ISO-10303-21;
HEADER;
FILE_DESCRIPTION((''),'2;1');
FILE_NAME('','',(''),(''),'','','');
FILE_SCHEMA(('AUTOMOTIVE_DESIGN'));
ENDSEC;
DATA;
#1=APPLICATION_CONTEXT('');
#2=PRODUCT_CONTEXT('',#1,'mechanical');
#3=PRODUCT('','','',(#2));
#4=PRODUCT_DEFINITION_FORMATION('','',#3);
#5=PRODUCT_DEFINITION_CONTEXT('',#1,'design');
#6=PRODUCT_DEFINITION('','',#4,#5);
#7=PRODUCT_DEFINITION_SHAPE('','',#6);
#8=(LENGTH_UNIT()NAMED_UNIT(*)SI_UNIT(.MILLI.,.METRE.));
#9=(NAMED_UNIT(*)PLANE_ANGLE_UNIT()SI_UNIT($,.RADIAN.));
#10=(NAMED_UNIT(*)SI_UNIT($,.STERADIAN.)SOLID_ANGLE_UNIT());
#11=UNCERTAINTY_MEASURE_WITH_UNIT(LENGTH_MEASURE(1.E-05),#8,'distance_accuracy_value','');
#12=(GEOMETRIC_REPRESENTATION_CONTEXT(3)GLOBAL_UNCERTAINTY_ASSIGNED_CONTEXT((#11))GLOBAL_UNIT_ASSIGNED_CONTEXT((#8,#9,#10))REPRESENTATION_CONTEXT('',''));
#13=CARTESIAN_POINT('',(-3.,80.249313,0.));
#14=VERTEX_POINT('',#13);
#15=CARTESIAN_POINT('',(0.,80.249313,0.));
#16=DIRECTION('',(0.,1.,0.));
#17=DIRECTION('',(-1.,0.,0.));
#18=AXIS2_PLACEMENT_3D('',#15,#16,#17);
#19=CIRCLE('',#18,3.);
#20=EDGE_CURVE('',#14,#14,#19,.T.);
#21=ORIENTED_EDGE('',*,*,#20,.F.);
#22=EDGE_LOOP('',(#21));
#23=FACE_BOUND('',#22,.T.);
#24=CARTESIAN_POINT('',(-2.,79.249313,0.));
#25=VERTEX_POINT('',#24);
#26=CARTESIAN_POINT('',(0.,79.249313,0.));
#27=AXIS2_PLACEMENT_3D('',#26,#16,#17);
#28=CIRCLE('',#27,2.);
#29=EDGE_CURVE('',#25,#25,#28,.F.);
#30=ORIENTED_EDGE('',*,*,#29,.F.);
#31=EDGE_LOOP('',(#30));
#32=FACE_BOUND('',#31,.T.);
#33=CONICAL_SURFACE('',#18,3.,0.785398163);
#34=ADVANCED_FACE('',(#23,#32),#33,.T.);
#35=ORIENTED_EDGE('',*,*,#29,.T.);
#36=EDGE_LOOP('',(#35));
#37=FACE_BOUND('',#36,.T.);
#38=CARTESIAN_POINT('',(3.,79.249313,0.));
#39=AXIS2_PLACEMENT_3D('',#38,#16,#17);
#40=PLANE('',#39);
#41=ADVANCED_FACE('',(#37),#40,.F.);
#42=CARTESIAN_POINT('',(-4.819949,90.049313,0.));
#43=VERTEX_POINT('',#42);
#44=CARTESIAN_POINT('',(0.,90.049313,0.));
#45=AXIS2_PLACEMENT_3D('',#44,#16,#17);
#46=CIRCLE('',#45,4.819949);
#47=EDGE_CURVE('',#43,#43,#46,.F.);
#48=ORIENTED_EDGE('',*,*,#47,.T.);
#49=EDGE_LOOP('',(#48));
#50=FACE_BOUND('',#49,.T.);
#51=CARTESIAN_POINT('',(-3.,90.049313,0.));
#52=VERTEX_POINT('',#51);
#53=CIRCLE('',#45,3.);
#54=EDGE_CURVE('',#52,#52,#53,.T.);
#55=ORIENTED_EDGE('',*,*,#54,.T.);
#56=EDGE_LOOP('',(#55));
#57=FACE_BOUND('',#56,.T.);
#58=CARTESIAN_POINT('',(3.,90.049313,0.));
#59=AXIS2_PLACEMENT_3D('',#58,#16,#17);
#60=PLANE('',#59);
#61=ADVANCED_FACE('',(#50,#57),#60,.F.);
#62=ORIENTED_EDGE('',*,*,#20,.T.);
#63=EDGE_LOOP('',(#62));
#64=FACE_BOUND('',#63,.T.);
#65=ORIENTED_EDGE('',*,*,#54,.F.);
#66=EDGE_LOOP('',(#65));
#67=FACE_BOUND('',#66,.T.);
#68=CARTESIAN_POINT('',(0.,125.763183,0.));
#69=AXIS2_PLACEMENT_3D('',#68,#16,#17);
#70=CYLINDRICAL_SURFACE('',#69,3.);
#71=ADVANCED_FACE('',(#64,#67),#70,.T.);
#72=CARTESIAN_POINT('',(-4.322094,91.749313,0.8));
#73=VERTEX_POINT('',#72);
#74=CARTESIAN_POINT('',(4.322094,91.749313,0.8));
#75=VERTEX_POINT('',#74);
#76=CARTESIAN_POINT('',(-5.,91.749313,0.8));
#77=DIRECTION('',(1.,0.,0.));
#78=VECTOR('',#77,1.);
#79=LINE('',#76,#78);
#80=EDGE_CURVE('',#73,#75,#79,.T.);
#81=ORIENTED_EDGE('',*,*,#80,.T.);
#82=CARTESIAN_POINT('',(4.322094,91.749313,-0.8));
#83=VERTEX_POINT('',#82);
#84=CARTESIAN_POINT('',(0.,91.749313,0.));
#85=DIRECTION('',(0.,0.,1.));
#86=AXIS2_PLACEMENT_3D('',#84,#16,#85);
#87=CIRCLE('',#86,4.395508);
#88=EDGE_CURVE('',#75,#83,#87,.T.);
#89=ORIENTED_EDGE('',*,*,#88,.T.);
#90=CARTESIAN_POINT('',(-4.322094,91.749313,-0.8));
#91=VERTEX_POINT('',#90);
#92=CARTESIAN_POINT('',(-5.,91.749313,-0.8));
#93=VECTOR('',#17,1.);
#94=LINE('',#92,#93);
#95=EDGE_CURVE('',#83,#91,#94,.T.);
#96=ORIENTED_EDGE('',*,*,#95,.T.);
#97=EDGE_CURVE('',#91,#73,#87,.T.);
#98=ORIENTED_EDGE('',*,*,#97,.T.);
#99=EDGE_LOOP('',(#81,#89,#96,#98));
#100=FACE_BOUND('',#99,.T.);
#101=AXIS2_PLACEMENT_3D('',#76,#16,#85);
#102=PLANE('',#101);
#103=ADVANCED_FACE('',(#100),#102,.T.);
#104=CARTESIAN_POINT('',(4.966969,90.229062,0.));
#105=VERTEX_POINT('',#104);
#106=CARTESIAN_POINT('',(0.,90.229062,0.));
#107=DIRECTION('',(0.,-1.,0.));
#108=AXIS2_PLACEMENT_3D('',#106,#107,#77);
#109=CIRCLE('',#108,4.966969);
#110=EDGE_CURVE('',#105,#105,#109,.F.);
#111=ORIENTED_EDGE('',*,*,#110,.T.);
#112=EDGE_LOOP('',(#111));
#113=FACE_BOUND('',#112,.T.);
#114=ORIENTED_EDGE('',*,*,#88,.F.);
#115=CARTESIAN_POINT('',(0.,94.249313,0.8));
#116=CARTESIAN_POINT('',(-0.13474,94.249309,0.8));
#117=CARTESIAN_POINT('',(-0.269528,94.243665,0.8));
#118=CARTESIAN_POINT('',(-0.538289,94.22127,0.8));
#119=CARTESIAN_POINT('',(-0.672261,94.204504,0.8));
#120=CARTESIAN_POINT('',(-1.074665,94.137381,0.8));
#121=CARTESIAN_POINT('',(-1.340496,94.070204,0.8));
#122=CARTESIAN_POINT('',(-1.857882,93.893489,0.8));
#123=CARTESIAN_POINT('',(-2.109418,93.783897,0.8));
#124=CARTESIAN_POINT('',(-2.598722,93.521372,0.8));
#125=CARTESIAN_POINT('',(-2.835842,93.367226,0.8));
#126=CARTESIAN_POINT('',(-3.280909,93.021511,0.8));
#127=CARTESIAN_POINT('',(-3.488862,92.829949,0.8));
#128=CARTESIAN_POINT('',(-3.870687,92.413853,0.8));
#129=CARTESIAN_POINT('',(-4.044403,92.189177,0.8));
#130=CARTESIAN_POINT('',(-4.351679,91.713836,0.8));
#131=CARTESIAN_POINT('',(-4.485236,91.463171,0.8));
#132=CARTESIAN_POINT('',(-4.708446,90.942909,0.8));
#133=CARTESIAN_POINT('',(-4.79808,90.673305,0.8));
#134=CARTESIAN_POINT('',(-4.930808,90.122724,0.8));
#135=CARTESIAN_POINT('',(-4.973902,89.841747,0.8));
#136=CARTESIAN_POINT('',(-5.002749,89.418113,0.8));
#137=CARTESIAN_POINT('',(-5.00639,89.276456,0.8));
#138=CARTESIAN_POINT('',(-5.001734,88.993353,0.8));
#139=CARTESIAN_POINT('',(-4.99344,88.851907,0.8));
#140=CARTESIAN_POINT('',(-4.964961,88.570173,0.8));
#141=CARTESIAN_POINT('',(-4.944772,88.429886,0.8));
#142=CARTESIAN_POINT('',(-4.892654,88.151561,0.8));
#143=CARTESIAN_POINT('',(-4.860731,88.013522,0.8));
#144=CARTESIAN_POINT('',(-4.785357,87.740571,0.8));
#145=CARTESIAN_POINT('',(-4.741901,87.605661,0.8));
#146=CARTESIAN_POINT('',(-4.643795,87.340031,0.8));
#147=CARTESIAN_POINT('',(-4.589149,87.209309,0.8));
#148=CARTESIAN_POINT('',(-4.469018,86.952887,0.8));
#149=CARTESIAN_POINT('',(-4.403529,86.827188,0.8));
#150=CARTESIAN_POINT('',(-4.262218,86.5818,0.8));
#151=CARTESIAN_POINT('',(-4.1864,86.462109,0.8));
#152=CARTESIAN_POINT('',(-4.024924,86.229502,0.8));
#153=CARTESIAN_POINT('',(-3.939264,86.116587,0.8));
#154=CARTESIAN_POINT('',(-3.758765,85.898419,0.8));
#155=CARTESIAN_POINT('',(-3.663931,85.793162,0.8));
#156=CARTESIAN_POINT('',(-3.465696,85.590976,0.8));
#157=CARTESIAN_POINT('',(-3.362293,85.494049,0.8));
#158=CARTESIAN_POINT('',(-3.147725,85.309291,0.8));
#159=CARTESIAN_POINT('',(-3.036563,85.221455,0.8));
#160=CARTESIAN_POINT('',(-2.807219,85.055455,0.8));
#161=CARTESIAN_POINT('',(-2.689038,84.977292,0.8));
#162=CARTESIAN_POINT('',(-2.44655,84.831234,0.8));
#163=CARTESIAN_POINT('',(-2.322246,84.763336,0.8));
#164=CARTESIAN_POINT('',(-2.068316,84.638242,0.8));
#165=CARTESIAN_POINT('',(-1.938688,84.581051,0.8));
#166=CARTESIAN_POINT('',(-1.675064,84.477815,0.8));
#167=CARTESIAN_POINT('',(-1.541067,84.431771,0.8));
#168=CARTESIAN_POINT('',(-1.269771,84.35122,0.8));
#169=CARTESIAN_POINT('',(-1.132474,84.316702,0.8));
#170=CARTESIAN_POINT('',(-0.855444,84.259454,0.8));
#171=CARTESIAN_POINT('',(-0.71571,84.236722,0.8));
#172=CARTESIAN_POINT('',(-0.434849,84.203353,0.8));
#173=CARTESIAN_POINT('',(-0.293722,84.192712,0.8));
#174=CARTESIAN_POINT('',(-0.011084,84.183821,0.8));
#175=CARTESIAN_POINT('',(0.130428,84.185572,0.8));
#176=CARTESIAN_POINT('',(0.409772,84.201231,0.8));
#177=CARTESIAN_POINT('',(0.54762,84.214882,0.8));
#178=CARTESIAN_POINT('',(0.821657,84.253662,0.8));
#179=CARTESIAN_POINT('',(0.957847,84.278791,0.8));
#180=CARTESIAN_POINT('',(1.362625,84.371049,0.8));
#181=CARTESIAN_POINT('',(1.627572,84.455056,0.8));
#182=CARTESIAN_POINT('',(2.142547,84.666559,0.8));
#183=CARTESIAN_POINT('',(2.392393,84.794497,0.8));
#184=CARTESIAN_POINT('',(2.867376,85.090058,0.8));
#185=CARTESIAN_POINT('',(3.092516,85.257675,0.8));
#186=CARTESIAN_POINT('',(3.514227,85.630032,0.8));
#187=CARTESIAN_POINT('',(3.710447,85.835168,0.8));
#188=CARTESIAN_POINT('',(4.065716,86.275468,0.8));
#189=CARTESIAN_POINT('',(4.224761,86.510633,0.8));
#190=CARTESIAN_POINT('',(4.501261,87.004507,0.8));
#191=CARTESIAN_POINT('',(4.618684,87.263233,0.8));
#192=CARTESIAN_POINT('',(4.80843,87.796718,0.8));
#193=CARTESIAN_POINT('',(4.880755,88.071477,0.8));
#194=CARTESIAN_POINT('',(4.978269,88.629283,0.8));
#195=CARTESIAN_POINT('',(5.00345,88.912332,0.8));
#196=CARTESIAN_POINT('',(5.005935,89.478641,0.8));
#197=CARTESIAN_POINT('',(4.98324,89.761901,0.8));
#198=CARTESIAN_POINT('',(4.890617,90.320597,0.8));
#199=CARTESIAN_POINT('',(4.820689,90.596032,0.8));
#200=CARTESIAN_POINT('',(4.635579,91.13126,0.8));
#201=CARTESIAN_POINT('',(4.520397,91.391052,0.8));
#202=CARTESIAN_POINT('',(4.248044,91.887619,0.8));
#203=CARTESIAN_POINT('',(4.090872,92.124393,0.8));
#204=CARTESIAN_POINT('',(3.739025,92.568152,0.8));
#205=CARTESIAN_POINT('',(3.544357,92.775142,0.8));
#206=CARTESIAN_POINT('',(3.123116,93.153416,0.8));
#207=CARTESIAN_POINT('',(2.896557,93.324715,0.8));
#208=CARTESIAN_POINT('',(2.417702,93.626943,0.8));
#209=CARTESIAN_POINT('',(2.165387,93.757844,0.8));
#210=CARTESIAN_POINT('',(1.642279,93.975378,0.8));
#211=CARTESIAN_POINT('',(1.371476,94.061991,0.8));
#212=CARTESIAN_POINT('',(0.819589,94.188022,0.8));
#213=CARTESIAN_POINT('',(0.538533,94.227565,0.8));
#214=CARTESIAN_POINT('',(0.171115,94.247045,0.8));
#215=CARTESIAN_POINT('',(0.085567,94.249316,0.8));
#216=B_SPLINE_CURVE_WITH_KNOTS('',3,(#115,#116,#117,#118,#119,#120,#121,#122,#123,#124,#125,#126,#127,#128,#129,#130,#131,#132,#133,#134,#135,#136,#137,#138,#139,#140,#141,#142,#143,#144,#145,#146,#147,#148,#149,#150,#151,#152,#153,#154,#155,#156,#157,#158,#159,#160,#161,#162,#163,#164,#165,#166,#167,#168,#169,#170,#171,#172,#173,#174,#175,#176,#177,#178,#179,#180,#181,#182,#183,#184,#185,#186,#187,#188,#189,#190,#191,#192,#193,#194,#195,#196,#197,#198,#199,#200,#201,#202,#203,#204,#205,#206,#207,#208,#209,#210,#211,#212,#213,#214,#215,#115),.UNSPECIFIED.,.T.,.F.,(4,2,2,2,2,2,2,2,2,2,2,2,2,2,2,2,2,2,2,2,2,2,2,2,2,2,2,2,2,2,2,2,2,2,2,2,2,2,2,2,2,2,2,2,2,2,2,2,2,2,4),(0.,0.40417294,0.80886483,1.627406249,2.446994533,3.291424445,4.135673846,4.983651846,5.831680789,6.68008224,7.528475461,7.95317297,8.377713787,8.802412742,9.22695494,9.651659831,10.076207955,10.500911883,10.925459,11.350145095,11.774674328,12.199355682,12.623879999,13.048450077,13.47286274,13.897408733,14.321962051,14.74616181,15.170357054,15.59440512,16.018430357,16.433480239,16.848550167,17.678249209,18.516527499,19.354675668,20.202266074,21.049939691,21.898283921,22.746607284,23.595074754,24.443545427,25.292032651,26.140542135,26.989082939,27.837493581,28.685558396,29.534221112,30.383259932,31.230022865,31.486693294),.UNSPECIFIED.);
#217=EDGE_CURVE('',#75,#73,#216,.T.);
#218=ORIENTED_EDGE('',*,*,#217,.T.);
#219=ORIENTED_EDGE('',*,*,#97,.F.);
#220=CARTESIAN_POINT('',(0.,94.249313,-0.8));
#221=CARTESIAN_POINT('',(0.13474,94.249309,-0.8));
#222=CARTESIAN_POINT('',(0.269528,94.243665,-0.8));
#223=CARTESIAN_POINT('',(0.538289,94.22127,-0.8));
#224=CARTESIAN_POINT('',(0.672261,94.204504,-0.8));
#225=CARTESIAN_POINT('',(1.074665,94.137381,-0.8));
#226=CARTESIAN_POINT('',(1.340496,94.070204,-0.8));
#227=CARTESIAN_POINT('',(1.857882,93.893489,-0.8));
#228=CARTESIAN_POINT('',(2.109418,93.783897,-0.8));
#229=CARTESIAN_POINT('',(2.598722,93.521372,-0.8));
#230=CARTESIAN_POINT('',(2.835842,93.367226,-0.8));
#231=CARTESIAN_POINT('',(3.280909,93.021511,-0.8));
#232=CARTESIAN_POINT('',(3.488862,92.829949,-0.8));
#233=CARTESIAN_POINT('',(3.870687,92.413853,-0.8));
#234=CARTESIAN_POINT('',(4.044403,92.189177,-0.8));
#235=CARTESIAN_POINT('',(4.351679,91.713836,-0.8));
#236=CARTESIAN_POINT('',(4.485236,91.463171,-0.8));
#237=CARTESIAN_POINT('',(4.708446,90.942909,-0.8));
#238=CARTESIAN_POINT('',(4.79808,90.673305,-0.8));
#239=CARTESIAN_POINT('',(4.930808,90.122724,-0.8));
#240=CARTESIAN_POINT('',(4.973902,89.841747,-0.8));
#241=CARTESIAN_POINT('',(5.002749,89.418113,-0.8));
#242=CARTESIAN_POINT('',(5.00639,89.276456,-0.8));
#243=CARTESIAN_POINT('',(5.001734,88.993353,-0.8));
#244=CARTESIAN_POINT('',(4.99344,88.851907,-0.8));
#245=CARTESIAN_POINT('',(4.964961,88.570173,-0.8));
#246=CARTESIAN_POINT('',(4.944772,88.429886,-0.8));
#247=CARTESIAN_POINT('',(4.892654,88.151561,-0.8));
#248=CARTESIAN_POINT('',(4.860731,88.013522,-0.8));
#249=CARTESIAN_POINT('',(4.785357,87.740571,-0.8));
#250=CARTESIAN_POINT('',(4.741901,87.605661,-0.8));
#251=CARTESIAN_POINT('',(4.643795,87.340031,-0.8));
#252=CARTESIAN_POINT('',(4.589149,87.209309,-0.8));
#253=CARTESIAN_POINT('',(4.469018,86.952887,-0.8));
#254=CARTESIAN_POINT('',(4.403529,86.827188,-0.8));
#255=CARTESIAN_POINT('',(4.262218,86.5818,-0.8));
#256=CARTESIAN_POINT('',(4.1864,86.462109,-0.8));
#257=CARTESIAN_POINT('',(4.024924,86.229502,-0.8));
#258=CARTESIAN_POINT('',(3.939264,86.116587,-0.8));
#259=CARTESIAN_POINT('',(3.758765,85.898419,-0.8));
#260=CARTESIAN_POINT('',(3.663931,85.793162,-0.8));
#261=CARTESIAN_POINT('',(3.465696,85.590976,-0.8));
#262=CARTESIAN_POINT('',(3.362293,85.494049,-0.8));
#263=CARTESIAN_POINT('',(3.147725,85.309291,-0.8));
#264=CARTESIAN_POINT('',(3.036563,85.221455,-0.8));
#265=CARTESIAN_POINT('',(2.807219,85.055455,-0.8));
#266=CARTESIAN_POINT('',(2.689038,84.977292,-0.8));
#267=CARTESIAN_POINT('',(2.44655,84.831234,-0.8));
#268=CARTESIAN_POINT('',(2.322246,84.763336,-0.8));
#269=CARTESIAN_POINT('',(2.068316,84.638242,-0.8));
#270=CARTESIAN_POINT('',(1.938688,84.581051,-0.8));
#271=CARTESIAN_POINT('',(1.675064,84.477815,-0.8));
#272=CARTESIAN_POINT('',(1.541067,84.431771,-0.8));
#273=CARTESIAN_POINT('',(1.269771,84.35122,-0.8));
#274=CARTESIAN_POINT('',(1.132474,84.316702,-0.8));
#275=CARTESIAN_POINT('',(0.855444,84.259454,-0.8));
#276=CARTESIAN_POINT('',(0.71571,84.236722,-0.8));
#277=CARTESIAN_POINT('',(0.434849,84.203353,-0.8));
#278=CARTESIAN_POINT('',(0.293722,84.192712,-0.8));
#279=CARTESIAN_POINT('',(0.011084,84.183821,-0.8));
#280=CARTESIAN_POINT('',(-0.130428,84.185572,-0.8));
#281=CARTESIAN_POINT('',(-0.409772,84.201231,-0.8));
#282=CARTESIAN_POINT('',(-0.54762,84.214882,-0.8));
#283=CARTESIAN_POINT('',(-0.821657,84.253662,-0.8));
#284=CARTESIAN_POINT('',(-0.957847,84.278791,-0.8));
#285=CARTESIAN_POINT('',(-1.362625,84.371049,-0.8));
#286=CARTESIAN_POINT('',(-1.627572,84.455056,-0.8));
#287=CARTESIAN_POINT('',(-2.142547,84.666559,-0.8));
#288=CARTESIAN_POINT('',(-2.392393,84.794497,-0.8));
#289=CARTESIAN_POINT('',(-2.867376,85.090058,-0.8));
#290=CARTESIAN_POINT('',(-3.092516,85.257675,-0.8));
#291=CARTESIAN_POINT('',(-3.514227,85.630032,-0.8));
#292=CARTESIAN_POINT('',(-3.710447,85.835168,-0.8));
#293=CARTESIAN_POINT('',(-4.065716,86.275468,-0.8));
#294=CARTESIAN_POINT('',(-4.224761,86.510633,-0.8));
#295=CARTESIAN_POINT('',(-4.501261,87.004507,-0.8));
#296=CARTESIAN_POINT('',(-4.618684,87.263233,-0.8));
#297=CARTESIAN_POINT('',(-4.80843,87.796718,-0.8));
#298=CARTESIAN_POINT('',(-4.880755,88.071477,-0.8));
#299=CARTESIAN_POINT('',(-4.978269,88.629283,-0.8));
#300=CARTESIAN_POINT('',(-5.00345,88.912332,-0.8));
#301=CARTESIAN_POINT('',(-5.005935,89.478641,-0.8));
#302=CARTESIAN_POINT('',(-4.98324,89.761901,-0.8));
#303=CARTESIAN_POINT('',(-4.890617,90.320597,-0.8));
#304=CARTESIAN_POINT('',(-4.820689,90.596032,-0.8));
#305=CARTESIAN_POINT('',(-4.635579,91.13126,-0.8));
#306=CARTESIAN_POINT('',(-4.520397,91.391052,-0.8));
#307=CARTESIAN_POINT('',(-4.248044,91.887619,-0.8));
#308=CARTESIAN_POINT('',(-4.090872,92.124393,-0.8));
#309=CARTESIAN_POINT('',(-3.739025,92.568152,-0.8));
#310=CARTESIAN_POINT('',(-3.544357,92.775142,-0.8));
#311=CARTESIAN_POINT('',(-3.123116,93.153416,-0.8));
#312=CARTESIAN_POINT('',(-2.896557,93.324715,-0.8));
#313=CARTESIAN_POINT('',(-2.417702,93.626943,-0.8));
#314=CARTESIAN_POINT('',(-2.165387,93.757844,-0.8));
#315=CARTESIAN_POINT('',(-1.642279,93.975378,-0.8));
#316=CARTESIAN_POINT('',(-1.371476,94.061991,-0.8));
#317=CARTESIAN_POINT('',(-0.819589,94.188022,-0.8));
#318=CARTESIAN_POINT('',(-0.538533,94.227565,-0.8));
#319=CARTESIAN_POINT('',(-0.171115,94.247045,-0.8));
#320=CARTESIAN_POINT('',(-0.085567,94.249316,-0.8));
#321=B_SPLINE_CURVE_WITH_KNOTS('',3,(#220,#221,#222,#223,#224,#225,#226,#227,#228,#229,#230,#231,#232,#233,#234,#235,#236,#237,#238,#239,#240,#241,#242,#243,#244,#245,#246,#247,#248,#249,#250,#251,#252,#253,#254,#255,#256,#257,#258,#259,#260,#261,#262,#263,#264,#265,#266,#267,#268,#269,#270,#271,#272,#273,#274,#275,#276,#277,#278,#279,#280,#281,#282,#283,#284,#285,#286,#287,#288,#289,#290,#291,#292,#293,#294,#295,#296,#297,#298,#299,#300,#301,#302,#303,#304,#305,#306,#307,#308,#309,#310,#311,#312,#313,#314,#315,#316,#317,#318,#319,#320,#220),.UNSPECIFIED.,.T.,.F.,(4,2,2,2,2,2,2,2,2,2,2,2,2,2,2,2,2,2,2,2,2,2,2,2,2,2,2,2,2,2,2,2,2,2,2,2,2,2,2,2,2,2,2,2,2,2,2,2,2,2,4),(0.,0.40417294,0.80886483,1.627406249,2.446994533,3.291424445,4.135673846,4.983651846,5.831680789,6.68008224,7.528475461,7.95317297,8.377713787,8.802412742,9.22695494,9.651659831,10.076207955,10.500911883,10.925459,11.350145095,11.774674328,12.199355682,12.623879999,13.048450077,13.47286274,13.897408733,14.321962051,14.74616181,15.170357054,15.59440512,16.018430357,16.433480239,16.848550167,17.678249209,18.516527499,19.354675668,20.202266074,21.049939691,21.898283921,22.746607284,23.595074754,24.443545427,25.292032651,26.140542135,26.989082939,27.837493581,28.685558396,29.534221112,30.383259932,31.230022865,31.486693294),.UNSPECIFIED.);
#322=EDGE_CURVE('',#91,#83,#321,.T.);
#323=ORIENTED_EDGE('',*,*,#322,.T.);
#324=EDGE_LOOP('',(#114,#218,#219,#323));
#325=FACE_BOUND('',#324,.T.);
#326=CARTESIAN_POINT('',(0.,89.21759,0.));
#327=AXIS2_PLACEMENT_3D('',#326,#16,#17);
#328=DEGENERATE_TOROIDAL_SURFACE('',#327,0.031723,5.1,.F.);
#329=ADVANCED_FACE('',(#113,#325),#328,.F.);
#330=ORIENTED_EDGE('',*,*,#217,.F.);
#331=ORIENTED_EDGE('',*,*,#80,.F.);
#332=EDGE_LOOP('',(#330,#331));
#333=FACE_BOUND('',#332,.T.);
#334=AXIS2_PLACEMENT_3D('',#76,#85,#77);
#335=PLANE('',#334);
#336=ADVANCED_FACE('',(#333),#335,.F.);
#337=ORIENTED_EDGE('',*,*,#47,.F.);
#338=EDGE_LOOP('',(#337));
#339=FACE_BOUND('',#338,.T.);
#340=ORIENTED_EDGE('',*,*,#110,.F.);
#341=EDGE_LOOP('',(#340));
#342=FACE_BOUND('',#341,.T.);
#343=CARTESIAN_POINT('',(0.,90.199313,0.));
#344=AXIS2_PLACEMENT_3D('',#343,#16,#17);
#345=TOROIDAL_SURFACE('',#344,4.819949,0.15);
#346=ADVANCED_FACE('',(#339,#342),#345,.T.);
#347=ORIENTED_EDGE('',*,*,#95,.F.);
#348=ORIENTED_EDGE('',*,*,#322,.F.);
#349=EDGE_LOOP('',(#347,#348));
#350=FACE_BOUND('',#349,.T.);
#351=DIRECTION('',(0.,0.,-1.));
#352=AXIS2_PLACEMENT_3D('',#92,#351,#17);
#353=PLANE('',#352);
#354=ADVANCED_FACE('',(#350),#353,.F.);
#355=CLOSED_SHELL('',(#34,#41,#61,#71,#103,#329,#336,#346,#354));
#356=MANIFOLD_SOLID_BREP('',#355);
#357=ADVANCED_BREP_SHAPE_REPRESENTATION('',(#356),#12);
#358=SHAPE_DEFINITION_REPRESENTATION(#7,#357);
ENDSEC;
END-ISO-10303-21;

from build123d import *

# Parameters (mm, degrees)
SKETCH_13_W         = 10
SKETCH_13_H         = 1.6
CUT_EXTRUDE_9_DEPTH = 2.5
FILLET_1_R          = 0.15
CHAMFER_1_SIZE      = 1


with BuildPart() as part:
    # Эскиз1 → Повернуть1 (revolve)
    with BuildSketch(Plane.XY):
        with BuildLine():
            Line((3, 90.04931314), (5, 90.04931314))
            ThreePointArc((5, 90.04931314), (3.574521541, 92.823834681), (0.8, 94.24931314))
            Line((0.8, 94.24931314), (0, 94.24931314))
            Line((0, 94.24931314), (0, 79.24931314))
            Line((0, 79.24931314), (3, 79.24931314))
            Line((3, 79.24931314), (3, 90.04931314))
        make_face()
    revolve(axis=Axis((0, 125.763182898, 0), (0, -1, 0)))

    # Эскиз13 → Вырез-Вытянуть9 (cut)
    with BuildSketch(Plane(origin=(0, 94.24931314, 0), x_dir=(-1, 0, 0), z_dir=(0, 1, 0))):
        Rectangle(SKETCH_13_W, SKETCH_13_H)
    extrude(amount=-CUT_EXTRUDE_9_DEPTH, mode=Mode.SUBTRACT)

    # Скругление1
    fillet_1_edges = [part.edges().sort_by_distance(p)[0] for p in [
        (-5, 90.04931314, 0),
    ]]
    fillet(fillet_1_edges, radius=FILLET_1_R)

    # Фаска1
    chamfer_1_edges = [part.edges().sort_by_distance(p)[0] for p in [
        (-3, 79.24931314, 0),
    ]]
    chamfer(chamfer_1_edges, length=CHAMFER_1_SIZE)


solid = part.part
